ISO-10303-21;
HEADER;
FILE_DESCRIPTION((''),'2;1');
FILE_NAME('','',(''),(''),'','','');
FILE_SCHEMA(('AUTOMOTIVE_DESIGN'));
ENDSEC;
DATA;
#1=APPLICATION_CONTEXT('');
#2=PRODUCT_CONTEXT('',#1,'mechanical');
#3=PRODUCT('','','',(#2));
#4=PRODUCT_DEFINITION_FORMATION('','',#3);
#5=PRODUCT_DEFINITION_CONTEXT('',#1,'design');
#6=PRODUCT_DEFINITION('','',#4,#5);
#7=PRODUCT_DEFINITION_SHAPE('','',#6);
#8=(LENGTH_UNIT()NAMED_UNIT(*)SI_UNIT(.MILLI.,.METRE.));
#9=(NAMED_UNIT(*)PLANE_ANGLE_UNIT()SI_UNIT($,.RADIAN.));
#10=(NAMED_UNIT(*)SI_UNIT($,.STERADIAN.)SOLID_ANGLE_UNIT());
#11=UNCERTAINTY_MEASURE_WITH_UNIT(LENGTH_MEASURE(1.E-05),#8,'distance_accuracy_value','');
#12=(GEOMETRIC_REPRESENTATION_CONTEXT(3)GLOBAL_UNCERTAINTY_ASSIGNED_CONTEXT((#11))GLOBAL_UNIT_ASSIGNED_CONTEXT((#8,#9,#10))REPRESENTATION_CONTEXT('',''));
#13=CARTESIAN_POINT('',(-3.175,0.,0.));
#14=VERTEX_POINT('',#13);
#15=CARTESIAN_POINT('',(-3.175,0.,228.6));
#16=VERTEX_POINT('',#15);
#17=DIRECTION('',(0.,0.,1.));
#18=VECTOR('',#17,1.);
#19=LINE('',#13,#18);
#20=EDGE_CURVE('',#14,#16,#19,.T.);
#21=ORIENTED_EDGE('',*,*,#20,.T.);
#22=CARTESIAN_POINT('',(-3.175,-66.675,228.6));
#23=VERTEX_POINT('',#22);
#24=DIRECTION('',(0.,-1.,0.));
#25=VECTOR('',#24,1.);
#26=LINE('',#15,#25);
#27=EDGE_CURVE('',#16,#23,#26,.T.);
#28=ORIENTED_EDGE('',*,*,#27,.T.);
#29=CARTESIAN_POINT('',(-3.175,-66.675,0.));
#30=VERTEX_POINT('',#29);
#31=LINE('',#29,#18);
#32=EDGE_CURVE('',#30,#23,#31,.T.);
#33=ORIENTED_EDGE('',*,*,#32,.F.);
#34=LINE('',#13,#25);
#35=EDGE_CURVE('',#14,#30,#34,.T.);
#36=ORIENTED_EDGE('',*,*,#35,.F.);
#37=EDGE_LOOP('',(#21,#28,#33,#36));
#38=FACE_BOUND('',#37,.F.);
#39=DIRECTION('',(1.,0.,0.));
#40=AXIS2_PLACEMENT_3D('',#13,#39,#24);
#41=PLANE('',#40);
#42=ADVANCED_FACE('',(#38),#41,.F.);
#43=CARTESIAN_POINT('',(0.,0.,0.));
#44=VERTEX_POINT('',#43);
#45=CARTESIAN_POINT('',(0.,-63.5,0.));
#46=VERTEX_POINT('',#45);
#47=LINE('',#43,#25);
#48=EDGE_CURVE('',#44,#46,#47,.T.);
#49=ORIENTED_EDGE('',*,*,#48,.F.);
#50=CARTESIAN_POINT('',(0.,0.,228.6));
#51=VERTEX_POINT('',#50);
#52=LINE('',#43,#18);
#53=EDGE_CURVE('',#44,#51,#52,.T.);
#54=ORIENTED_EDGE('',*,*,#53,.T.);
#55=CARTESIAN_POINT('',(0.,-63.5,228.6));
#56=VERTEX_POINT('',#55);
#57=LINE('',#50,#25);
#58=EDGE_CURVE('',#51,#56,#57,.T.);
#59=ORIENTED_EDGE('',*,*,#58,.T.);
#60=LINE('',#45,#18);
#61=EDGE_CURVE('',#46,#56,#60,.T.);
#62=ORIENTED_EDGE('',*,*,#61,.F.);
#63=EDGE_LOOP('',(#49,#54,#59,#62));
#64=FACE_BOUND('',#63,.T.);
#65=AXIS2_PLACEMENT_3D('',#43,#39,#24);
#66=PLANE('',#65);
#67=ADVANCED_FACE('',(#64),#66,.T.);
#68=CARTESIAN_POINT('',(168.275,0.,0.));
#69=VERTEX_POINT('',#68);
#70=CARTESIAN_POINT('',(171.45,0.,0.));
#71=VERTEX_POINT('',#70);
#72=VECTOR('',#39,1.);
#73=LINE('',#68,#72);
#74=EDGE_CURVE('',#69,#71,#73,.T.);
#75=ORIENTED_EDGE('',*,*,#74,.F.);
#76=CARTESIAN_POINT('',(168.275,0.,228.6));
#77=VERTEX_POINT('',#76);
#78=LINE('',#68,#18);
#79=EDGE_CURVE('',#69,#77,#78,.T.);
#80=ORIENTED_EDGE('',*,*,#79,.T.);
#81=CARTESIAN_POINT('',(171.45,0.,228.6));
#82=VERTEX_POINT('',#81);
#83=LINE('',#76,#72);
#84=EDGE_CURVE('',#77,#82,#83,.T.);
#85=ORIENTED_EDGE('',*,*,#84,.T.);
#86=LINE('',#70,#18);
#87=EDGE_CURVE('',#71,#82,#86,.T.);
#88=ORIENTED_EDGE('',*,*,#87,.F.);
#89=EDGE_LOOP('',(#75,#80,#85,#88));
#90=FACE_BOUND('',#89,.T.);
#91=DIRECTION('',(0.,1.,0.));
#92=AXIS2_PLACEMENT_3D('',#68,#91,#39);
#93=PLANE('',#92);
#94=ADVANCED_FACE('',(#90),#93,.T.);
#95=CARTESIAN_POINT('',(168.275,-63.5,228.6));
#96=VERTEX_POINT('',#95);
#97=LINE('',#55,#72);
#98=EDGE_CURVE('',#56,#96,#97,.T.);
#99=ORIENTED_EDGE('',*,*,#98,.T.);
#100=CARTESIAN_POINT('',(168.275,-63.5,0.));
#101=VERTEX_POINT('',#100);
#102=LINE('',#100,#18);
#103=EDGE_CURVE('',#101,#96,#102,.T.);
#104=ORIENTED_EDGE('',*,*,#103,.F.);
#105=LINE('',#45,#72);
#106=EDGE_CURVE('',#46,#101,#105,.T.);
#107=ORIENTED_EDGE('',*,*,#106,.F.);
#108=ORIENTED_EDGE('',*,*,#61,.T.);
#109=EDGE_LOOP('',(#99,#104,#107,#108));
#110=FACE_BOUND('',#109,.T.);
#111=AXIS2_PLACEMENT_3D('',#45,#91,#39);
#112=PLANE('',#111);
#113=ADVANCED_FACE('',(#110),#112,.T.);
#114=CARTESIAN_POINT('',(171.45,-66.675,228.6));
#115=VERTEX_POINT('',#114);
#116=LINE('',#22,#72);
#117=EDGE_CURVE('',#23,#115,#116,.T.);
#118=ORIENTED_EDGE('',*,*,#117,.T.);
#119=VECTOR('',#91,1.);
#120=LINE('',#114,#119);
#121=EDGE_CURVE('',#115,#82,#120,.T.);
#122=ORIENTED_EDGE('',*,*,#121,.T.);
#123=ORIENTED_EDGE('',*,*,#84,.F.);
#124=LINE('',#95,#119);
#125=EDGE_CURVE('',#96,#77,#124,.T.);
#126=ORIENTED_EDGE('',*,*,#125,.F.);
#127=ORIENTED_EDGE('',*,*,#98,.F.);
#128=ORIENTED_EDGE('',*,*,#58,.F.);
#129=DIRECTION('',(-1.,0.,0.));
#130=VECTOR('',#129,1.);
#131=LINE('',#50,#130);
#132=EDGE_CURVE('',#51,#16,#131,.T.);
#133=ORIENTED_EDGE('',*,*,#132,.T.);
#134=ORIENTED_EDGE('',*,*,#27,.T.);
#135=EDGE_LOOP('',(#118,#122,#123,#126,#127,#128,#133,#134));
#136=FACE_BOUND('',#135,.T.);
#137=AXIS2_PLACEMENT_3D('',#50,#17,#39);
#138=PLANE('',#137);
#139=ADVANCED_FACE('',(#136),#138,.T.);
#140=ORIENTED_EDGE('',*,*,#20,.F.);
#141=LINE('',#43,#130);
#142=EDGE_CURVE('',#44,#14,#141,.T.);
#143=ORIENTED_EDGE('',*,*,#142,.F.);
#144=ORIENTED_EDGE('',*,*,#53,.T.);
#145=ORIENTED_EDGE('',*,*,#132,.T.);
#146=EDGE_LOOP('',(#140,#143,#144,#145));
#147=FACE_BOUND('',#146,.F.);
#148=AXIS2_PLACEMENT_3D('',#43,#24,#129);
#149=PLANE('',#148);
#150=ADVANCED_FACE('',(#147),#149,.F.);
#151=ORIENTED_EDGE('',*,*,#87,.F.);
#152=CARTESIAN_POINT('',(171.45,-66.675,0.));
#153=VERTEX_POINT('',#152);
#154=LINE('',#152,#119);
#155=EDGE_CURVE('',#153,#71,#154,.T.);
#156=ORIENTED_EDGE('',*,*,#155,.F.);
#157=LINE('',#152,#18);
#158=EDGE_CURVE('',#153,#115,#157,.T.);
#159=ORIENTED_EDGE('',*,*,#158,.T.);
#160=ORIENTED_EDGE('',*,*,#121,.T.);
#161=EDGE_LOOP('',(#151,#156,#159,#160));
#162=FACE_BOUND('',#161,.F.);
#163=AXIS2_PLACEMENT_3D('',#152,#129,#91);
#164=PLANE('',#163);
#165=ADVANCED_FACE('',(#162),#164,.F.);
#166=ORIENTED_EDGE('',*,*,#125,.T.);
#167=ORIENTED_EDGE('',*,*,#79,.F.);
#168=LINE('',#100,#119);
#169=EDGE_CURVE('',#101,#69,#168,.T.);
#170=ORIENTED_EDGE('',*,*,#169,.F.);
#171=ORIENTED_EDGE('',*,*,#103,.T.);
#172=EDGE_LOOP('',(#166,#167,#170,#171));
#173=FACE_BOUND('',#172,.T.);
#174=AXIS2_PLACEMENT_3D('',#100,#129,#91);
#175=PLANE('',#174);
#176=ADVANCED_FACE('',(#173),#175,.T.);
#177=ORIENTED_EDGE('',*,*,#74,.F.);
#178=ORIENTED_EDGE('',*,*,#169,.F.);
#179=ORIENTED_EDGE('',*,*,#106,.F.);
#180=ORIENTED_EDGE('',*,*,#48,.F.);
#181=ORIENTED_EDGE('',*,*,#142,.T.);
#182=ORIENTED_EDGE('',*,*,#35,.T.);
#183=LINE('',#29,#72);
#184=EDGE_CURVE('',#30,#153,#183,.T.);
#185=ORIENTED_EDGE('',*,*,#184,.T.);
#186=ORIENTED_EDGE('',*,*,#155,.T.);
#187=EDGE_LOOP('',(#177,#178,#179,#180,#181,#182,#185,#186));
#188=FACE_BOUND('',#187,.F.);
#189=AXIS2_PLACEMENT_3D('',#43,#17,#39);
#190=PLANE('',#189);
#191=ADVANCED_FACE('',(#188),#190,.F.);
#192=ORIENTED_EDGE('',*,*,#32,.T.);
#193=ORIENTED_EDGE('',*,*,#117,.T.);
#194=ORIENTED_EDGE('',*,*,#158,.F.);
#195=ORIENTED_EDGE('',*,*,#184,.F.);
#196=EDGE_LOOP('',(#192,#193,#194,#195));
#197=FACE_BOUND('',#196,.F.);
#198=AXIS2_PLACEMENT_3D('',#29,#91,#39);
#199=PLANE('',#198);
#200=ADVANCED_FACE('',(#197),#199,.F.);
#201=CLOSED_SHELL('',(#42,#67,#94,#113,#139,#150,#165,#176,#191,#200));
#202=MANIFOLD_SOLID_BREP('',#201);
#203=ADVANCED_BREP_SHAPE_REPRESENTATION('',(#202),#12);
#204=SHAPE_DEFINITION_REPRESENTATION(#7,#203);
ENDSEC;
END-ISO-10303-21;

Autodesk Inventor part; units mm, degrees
ref_plane "YZ Plane" through (0, 0, 0) normal (1, 0, 0) x (0, 1, 0)
ref_plane "XZ Plane" through (0, 0, 0) normal (0, 1, 0) x (-1, 0, 0)
ref_plane "XY Plane" through (0, 0, 0) normal (0, 0, 1) x (1, 0, 0)
sketch "Sketch1" plane through (0, 0, 0) normal (0, 0, 1) x (1, 0, 0)
  line L0 (0, 0) -> (0, -63.5)
  line L1 (0, -63.5) -> (168.275, -63.5)
  line L2 (168.275, -63.5) -> (168.275, 0)
  line L3 (-3.175, 0) -> (-3.175, -66.675)
  line L4 (-3.175, -66.675) -> (171.45, -66.675)
  line L5 (171.45, -66.675) -> (171.45, 0)
  line L6 (0, 0) -> (-3.175, 0)
  line L7 (168.275, 0) -> (171.45, 0)
  dimension "d0" = 63.5
  dimension "d2" = 168.275
  dimension "d3" = 90
  dimension "d4" = 3.175
extrude "Extrusion1" add sketch "Sketch1" along normal blind 228.6
properties part number "C Chanel"
